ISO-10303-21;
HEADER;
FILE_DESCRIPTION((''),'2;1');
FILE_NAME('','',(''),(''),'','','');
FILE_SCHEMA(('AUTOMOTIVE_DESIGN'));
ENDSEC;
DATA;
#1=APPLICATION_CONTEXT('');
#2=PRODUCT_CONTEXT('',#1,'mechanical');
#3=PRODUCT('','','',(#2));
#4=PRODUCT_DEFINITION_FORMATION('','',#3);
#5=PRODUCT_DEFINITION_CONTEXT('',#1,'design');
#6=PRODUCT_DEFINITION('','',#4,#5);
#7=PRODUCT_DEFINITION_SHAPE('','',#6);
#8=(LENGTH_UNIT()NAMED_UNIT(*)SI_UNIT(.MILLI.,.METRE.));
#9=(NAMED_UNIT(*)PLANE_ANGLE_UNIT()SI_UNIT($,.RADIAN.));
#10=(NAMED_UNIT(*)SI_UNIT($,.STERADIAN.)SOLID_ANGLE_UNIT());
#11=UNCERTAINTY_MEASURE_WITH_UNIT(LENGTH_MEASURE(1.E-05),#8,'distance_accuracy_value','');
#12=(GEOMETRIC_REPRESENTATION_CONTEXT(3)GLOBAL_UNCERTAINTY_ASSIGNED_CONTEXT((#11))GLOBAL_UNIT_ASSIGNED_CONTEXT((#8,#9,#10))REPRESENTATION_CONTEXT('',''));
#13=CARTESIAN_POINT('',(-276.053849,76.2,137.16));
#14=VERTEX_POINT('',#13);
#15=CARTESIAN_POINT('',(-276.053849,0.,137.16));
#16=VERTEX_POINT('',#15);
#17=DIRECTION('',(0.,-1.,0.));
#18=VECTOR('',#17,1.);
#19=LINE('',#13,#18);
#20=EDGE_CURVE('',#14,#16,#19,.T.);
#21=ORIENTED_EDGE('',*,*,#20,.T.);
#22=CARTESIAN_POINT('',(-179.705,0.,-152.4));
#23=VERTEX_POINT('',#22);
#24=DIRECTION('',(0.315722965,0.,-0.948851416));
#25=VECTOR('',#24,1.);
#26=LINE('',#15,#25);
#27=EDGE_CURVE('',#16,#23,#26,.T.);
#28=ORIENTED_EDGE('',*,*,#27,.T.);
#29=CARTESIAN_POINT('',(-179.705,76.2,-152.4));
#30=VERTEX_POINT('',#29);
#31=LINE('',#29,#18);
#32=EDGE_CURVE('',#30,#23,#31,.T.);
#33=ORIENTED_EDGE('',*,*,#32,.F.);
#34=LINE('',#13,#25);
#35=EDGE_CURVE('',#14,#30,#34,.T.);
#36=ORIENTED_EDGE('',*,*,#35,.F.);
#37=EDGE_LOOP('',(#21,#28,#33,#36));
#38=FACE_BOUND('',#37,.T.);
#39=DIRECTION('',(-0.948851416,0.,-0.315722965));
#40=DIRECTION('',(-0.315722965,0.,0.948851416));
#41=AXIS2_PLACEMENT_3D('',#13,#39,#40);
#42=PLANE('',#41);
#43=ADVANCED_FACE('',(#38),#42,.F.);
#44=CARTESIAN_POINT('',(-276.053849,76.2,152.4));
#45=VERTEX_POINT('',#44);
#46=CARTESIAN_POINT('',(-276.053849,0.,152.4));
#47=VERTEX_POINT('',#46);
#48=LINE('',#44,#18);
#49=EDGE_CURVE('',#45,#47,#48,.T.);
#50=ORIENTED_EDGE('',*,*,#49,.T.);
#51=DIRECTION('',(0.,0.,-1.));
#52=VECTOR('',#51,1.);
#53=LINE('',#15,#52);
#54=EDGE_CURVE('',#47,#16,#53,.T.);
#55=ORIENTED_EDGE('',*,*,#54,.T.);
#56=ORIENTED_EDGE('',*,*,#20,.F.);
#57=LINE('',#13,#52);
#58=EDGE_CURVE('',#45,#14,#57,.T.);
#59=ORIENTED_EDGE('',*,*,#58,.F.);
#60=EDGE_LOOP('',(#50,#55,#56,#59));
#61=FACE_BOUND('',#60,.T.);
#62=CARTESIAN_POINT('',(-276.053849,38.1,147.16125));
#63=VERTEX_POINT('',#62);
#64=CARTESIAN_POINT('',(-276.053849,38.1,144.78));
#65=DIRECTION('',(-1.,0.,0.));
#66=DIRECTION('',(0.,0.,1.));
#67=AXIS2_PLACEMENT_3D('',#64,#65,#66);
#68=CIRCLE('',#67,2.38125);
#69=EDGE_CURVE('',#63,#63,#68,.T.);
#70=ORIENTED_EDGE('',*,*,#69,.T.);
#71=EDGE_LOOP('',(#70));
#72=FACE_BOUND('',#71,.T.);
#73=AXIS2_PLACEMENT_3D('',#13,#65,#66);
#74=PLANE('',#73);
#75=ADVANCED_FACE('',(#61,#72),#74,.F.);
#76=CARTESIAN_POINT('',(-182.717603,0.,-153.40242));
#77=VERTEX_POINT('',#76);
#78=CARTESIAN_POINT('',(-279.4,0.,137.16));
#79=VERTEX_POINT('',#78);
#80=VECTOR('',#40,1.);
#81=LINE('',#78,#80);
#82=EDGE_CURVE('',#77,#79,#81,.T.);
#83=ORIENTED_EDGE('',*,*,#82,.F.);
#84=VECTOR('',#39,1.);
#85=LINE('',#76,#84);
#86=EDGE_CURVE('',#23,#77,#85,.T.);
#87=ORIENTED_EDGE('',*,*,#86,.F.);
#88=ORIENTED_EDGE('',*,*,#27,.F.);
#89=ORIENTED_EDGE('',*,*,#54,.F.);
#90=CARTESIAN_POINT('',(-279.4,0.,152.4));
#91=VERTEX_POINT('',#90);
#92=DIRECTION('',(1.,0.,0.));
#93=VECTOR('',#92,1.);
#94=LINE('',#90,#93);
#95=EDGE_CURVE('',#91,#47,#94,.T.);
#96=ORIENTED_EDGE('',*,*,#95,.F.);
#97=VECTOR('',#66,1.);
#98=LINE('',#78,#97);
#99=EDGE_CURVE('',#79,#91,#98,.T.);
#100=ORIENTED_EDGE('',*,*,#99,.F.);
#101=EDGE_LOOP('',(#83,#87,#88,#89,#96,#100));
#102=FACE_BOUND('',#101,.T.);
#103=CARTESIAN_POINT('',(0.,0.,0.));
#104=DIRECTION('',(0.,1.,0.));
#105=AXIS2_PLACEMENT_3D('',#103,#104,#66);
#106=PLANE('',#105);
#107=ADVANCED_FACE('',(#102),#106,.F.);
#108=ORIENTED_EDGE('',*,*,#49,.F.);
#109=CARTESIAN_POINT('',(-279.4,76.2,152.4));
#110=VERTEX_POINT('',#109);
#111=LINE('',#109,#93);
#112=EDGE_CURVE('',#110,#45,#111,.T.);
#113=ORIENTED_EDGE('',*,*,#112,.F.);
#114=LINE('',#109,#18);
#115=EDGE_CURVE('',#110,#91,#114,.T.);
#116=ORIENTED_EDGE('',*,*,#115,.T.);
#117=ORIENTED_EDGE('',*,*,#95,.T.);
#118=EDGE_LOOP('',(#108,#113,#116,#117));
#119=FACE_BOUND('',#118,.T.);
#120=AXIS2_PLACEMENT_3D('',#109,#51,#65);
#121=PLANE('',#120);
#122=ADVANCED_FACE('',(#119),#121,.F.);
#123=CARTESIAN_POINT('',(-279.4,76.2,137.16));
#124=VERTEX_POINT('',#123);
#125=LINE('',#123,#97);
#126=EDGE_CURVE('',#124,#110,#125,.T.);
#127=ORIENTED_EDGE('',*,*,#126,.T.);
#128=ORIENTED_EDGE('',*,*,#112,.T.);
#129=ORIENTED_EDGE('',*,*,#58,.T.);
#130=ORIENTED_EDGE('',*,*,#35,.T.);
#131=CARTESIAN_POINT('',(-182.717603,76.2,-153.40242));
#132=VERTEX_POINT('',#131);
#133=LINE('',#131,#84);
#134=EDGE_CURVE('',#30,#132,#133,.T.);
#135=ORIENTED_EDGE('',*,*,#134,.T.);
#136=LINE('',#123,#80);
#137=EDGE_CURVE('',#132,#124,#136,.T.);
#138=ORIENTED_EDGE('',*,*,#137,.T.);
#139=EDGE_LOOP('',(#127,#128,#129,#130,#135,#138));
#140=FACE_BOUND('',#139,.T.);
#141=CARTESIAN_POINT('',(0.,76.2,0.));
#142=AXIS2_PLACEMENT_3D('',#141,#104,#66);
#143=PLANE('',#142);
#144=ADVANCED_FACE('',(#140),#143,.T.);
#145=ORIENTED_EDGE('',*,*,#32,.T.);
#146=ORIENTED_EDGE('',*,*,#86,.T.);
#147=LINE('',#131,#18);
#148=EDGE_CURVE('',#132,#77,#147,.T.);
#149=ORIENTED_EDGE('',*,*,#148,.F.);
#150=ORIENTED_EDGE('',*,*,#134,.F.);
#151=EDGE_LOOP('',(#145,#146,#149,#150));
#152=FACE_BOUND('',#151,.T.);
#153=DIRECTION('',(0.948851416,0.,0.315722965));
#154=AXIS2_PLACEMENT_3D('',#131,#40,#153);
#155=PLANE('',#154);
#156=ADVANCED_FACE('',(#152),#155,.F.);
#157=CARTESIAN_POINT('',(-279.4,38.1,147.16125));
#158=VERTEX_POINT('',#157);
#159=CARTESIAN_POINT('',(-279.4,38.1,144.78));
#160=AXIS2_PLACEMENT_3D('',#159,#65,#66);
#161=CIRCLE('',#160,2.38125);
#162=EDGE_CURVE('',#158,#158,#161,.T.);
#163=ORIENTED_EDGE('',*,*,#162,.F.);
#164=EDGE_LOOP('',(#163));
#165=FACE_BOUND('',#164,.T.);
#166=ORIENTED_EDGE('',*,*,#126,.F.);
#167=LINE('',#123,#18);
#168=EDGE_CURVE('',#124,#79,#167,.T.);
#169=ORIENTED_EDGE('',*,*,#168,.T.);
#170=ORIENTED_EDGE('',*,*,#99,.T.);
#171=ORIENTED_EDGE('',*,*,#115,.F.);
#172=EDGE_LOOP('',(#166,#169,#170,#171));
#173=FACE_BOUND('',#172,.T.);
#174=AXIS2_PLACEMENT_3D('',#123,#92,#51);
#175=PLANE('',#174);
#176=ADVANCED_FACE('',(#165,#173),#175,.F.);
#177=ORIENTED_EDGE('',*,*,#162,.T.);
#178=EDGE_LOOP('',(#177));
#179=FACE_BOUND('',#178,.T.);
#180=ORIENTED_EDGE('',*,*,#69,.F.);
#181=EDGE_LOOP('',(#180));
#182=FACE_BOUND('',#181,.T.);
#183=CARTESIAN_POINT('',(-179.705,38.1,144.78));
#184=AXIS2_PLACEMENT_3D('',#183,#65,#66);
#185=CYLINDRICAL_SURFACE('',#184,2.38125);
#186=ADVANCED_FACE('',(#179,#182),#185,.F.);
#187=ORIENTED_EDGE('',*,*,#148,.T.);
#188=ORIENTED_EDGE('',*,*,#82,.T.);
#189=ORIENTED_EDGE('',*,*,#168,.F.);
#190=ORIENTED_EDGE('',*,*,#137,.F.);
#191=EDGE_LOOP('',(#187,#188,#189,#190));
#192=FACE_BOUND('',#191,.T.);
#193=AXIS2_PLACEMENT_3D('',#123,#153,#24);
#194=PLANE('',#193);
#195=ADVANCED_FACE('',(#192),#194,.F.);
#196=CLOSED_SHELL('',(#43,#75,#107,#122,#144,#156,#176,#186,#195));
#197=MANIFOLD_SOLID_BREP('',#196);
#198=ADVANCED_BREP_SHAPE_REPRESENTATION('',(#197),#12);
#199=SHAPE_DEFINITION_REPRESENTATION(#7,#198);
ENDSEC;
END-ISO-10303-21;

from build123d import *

# Parameters (mm, degrees)
BOSS_EXTRUDE1_DEPTH     = 76.2
SKETCH2_R               = 2.38125
CUT_EXTRUDE1_DEPTH      = 1
CUT_EXTRUDE1_DEPTH_BACK = 100.695


with BuildPart() as part:
    # Sketch1 → Boss-Extrude1 (new body)
    with BuildSketch(Plane(origin=(0, 0, 0), x_dir=(1, 0, 0), z_dir=(0, 1, 0))):
        Polygon((-279.4, -137.16), (-182.717603245, 153.402420415), (-179.705, 152.4), (-276.05384912, -137.16), (-276.05384912, -152.4), (-279.4, -152.4), align=None)
    extrude(amount=BOSS_EXTRUDE1_DEPTH)

    # Sketch2 → Cut-Extrude1 (cut, two sides)
    with BuildSketch(Plane.ZY.offset(279.4)) as cut_extrude1_sk:
        with Locations((144.78, 38.1)):
            Circle(SKETCH2_R)
    extrude(amount=CUT_EXTRUDE1_DEPTH, mode=Mode.SUBTRACT)
    extrude(cut_extrude1_sk.sketch, amount=-CUT_EXTRUDE1_DEPTH_BACK, mode=Mode.SUBTRACT)


solid = part.part
